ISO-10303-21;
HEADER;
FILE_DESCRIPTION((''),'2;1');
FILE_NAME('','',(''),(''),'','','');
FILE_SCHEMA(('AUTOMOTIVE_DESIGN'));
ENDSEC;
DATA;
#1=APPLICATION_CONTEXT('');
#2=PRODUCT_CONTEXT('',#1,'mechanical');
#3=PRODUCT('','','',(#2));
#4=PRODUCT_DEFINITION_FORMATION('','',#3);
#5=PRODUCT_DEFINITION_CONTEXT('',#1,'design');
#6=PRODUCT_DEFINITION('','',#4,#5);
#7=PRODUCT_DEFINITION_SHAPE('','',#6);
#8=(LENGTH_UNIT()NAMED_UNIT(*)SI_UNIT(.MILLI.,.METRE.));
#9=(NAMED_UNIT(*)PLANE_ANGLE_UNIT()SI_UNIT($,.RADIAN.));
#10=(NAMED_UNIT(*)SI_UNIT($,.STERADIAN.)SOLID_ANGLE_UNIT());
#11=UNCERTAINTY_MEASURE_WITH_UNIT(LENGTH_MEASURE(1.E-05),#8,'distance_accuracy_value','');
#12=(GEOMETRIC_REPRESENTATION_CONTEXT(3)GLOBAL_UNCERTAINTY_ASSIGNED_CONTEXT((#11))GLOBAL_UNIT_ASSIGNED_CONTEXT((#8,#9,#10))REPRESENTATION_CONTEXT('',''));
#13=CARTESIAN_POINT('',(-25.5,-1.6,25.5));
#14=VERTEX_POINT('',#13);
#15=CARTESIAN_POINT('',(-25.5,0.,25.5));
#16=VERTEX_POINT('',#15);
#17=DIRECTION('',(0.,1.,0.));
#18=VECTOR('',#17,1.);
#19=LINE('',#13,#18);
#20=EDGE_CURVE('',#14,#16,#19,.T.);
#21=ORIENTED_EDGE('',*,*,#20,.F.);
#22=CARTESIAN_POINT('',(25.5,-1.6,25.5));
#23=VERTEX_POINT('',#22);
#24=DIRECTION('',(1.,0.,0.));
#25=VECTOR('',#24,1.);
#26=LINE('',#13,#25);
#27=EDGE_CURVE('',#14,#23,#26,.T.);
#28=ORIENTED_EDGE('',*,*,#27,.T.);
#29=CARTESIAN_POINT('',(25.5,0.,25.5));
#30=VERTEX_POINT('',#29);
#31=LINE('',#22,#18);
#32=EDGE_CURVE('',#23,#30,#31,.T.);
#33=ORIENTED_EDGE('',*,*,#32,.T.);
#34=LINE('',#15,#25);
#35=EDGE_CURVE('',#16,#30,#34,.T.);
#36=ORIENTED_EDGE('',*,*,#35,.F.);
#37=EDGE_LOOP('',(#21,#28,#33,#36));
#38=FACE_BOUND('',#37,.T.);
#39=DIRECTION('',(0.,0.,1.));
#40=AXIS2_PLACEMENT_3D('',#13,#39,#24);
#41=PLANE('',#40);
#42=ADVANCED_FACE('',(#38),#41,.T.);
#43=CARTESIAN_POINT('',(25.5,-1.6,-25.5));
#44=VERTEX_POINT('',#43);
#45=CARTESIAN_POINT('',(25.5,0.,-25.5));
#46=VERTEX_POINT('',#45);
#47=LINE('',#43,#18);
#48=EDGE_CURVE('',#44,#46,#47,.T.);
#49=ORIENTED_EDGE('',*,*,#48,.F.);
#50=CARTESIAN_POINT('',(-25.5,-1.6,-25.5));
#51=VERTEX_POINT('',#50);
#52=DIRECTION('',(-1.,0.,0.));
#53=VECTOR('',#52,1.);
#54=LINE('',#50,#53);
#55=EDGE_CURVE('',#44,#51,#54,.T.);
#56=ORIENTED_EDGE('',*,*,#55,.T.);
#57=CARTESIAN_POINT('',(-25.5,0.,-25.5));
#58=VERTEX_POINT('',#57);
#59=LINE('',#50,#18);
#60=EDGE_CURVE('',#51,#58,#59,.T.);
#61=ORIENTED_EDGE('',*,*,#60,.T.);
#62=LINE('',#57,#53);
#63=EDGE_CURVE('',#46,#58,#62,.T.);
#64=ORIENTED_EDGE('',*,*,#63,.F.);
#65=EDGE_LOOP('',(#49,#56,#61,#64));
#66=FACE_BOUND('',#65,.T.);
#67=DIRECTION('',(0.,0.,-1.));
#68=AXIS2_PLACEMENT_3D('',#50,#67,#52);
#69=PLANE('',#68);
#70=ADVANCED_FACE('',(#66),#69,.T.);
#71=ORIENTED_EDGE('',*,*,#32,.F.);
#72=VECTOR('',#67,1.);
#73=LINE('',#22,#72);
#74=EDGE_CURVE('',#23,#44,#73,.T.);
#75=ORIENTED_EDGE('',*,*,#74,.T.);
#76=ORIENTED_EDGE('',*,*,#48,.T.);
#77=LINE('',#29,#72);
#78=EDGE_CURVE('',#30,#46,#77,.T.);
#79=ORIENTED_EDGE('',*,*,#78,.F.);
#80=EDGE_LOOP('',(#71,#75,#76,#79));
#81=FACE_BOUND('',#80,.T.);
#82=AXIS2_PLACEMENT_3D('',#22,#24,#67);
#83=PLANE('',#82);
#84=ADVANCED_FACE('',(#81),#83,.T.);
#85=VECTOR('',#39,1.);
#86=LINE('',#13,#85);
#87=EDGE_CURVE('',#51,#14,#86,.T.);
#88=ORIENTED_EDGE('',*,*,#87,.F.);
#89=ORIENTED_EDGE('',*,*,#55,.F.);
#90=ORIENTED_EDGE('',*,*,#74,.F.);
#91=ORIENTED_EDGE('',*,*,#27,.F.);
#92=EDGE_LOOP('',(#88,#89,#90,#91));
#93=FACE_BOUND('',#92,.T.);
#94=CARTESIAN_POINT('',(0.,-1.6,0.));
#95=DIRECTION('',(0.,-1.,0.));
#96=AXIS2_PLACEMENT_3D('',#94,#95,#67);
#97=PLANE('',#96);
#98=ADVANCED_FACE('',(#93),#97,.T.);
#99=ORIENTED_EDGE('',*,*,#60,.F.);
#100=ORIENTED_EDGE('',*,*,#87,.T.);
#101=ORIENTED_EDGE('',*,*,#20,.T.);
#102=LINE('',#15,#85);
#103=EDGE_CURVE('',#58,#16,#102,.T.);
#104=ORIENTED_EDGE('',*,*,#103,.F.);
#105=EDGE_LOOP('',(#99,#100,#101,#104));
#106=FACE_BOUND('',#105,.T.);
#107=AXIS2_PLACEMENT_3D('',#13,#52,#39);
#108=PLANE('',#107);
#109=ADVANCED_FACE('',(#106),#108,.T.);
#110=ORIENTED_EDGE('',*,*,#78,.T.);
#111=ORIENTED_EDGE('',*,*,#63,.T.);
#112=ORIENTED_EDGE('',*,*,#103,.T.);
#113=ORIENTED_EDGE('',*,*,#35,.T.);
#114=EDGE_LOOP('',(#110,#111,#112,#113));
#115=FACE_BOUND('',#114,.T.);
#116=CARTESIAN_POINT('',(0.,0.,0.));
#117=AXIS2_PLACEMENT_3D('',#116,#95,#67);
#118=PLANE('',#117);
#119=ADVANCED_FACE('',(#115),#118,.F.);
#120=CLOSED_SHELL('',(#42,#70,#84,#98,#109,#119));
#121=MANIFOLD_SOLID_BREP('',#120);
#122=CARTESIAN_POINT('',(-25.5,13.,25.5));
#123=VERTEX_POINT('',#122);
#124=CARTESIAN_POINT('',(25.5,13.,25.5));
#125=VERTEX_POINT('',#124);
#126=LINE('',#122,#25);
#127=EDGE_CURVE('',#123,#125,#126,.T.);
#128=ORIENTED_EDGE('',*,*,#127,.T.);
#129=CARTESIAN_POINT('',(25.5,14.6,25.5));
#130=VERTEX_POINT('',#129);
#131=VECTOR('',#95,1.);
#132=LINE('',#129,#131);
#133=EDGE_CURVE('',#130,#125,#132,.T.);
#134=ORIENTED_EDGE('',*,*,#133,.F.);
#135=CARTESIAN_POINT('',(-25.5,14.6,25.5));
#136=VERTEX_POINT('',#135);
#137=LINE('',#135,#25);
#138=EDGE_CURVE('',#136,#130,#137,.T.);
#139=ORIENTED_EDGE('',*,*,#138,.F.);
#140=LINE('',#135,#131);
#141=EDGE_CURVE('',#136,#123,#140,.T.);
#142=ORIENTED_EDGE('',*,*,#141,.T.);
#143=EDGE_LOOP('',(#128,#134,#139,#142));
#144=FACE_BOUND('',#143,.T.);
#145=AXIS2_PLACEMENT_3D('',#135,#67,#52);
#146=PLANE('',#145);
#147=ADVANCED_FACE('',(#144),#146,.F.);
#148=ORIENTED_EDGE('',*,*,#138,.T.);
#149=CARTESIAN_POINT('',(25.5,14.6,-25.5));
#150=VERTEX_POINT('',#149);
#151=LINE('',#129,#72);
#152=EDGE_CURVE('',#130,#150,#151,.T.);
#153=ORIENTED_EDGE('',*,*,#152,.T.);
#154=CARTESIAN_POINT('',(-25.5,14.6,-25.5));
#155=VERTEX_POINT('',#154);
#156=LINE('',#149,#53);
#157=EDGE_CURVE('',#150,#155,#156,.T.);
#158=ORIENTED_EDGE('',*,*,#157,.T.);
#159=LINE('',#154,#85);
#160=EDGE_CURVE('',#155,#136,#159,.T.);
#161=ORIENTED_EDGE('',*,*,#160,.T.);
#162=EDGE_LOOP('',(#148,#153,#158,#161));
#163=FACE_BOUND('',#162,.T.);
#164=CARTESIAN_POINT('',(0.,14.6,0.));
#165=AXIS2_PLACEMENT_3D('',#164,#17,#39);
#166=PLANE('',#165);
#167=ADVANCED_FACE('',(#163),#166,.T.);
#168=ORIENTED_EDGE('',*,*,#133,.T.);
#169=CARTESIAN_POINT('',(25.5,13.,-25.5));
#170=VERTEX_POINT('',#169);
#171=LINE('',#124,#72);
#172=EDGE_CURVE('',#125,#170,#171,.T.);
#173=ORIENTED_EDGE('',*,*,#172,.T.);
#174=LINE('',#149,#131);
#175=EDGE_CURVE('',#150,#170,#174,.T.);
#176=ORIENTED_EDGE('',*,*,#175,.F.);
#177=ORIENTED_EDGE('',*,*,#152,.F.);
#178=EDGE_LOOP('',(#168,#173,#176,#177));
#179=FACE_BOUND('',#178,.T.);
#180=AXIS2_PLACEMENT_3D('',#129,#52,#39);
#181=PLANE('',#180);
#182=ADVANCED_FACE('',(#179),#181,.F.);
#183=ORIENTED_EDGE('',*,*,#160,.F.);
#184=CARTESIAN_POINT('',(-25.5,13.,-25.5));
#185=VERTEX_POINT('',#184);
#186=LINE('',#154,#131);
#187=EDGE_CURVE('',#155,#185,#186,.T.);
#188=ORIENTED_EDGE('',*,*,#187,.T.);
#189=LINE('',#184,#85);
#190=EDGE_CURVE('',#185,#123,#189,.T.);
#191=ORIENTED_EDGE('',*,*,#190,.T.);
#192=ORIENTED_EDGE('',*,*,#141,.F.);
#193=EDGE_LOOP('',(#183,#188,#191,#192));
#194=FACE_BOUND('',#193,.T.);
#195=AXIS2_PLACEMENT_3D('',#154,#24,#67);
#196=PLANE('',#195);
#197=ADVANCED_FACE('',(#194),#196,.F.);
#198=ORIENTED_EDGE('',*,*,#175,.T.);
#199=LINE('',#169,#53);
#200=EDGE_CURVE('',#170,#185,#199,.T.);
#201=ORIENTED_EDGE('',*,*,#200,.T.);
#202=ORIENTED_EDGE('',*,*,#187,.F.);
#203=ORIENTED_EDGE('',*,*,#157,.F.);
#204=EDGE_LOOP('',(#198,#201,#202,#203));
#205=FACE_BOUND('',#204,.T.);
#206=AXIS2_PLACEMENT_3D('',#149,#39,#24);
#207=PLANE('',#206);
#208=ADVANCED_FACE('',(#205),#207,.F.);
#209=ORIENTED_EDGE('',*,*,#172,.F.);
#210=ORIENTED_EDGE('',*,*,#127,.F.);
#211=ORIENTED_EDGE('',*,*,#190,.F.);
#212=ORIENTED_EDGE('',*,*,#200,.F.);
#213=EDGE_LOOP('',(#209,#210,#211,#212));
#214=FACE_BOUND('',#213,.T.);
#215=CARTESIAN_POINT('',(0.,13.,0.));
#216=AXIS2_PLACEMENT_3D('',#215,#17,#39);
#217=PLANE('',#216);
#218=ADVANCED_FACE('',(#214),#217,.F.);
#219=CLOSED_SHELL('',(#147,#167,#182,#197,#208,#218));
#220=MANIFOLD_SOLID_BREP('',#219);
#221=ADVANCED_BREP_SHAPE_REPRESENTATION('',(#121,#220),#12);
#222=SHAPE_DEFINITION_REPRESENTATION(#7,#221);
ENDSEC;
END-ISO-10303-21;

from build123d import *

# Parameters (mm, degrees)
SKETCH2_W           = 51
SKETCH2_H           = 51
BOSS_EXTRUDE1_DEPTH = 1.6
BOSS_EXTRUDE2_START = 13
SKETCH4_W           = 51
SKETCH4_H           = 51
BOSS_EXTRUDE2_DEPTH = 1.6


with BuildPart() as part:
    # Sketch2 → Boss-Extrude1 (new body)
    with BuildSketch(Plane(origin=(0, 0, 0), x_dir=(1, 0, 0), z_dir=(0, 1, 0))):
        Rectangle(SKETCH2_W, SKETCH2_H)
    extrude(amount=-BOSS_EXTRUDE1_DEPTH)


with BuildPart() as body_2:
    # Sketch4 → Boss-Extrude2 (new body)
    with BuildSketch(Plane(origin=(0, 0, 0), x_dir=(1, 0, 0), z_dir=(0, 1, 0)).offset(BOSS_EXTRUDE2_START)):
        Rectangle(SKETCH4_W, SKETCH4_H)
    extrude(amount=BOSS_EXTRUDE2_DEPTH)


solid = Compound([part.part, body_2.part])
